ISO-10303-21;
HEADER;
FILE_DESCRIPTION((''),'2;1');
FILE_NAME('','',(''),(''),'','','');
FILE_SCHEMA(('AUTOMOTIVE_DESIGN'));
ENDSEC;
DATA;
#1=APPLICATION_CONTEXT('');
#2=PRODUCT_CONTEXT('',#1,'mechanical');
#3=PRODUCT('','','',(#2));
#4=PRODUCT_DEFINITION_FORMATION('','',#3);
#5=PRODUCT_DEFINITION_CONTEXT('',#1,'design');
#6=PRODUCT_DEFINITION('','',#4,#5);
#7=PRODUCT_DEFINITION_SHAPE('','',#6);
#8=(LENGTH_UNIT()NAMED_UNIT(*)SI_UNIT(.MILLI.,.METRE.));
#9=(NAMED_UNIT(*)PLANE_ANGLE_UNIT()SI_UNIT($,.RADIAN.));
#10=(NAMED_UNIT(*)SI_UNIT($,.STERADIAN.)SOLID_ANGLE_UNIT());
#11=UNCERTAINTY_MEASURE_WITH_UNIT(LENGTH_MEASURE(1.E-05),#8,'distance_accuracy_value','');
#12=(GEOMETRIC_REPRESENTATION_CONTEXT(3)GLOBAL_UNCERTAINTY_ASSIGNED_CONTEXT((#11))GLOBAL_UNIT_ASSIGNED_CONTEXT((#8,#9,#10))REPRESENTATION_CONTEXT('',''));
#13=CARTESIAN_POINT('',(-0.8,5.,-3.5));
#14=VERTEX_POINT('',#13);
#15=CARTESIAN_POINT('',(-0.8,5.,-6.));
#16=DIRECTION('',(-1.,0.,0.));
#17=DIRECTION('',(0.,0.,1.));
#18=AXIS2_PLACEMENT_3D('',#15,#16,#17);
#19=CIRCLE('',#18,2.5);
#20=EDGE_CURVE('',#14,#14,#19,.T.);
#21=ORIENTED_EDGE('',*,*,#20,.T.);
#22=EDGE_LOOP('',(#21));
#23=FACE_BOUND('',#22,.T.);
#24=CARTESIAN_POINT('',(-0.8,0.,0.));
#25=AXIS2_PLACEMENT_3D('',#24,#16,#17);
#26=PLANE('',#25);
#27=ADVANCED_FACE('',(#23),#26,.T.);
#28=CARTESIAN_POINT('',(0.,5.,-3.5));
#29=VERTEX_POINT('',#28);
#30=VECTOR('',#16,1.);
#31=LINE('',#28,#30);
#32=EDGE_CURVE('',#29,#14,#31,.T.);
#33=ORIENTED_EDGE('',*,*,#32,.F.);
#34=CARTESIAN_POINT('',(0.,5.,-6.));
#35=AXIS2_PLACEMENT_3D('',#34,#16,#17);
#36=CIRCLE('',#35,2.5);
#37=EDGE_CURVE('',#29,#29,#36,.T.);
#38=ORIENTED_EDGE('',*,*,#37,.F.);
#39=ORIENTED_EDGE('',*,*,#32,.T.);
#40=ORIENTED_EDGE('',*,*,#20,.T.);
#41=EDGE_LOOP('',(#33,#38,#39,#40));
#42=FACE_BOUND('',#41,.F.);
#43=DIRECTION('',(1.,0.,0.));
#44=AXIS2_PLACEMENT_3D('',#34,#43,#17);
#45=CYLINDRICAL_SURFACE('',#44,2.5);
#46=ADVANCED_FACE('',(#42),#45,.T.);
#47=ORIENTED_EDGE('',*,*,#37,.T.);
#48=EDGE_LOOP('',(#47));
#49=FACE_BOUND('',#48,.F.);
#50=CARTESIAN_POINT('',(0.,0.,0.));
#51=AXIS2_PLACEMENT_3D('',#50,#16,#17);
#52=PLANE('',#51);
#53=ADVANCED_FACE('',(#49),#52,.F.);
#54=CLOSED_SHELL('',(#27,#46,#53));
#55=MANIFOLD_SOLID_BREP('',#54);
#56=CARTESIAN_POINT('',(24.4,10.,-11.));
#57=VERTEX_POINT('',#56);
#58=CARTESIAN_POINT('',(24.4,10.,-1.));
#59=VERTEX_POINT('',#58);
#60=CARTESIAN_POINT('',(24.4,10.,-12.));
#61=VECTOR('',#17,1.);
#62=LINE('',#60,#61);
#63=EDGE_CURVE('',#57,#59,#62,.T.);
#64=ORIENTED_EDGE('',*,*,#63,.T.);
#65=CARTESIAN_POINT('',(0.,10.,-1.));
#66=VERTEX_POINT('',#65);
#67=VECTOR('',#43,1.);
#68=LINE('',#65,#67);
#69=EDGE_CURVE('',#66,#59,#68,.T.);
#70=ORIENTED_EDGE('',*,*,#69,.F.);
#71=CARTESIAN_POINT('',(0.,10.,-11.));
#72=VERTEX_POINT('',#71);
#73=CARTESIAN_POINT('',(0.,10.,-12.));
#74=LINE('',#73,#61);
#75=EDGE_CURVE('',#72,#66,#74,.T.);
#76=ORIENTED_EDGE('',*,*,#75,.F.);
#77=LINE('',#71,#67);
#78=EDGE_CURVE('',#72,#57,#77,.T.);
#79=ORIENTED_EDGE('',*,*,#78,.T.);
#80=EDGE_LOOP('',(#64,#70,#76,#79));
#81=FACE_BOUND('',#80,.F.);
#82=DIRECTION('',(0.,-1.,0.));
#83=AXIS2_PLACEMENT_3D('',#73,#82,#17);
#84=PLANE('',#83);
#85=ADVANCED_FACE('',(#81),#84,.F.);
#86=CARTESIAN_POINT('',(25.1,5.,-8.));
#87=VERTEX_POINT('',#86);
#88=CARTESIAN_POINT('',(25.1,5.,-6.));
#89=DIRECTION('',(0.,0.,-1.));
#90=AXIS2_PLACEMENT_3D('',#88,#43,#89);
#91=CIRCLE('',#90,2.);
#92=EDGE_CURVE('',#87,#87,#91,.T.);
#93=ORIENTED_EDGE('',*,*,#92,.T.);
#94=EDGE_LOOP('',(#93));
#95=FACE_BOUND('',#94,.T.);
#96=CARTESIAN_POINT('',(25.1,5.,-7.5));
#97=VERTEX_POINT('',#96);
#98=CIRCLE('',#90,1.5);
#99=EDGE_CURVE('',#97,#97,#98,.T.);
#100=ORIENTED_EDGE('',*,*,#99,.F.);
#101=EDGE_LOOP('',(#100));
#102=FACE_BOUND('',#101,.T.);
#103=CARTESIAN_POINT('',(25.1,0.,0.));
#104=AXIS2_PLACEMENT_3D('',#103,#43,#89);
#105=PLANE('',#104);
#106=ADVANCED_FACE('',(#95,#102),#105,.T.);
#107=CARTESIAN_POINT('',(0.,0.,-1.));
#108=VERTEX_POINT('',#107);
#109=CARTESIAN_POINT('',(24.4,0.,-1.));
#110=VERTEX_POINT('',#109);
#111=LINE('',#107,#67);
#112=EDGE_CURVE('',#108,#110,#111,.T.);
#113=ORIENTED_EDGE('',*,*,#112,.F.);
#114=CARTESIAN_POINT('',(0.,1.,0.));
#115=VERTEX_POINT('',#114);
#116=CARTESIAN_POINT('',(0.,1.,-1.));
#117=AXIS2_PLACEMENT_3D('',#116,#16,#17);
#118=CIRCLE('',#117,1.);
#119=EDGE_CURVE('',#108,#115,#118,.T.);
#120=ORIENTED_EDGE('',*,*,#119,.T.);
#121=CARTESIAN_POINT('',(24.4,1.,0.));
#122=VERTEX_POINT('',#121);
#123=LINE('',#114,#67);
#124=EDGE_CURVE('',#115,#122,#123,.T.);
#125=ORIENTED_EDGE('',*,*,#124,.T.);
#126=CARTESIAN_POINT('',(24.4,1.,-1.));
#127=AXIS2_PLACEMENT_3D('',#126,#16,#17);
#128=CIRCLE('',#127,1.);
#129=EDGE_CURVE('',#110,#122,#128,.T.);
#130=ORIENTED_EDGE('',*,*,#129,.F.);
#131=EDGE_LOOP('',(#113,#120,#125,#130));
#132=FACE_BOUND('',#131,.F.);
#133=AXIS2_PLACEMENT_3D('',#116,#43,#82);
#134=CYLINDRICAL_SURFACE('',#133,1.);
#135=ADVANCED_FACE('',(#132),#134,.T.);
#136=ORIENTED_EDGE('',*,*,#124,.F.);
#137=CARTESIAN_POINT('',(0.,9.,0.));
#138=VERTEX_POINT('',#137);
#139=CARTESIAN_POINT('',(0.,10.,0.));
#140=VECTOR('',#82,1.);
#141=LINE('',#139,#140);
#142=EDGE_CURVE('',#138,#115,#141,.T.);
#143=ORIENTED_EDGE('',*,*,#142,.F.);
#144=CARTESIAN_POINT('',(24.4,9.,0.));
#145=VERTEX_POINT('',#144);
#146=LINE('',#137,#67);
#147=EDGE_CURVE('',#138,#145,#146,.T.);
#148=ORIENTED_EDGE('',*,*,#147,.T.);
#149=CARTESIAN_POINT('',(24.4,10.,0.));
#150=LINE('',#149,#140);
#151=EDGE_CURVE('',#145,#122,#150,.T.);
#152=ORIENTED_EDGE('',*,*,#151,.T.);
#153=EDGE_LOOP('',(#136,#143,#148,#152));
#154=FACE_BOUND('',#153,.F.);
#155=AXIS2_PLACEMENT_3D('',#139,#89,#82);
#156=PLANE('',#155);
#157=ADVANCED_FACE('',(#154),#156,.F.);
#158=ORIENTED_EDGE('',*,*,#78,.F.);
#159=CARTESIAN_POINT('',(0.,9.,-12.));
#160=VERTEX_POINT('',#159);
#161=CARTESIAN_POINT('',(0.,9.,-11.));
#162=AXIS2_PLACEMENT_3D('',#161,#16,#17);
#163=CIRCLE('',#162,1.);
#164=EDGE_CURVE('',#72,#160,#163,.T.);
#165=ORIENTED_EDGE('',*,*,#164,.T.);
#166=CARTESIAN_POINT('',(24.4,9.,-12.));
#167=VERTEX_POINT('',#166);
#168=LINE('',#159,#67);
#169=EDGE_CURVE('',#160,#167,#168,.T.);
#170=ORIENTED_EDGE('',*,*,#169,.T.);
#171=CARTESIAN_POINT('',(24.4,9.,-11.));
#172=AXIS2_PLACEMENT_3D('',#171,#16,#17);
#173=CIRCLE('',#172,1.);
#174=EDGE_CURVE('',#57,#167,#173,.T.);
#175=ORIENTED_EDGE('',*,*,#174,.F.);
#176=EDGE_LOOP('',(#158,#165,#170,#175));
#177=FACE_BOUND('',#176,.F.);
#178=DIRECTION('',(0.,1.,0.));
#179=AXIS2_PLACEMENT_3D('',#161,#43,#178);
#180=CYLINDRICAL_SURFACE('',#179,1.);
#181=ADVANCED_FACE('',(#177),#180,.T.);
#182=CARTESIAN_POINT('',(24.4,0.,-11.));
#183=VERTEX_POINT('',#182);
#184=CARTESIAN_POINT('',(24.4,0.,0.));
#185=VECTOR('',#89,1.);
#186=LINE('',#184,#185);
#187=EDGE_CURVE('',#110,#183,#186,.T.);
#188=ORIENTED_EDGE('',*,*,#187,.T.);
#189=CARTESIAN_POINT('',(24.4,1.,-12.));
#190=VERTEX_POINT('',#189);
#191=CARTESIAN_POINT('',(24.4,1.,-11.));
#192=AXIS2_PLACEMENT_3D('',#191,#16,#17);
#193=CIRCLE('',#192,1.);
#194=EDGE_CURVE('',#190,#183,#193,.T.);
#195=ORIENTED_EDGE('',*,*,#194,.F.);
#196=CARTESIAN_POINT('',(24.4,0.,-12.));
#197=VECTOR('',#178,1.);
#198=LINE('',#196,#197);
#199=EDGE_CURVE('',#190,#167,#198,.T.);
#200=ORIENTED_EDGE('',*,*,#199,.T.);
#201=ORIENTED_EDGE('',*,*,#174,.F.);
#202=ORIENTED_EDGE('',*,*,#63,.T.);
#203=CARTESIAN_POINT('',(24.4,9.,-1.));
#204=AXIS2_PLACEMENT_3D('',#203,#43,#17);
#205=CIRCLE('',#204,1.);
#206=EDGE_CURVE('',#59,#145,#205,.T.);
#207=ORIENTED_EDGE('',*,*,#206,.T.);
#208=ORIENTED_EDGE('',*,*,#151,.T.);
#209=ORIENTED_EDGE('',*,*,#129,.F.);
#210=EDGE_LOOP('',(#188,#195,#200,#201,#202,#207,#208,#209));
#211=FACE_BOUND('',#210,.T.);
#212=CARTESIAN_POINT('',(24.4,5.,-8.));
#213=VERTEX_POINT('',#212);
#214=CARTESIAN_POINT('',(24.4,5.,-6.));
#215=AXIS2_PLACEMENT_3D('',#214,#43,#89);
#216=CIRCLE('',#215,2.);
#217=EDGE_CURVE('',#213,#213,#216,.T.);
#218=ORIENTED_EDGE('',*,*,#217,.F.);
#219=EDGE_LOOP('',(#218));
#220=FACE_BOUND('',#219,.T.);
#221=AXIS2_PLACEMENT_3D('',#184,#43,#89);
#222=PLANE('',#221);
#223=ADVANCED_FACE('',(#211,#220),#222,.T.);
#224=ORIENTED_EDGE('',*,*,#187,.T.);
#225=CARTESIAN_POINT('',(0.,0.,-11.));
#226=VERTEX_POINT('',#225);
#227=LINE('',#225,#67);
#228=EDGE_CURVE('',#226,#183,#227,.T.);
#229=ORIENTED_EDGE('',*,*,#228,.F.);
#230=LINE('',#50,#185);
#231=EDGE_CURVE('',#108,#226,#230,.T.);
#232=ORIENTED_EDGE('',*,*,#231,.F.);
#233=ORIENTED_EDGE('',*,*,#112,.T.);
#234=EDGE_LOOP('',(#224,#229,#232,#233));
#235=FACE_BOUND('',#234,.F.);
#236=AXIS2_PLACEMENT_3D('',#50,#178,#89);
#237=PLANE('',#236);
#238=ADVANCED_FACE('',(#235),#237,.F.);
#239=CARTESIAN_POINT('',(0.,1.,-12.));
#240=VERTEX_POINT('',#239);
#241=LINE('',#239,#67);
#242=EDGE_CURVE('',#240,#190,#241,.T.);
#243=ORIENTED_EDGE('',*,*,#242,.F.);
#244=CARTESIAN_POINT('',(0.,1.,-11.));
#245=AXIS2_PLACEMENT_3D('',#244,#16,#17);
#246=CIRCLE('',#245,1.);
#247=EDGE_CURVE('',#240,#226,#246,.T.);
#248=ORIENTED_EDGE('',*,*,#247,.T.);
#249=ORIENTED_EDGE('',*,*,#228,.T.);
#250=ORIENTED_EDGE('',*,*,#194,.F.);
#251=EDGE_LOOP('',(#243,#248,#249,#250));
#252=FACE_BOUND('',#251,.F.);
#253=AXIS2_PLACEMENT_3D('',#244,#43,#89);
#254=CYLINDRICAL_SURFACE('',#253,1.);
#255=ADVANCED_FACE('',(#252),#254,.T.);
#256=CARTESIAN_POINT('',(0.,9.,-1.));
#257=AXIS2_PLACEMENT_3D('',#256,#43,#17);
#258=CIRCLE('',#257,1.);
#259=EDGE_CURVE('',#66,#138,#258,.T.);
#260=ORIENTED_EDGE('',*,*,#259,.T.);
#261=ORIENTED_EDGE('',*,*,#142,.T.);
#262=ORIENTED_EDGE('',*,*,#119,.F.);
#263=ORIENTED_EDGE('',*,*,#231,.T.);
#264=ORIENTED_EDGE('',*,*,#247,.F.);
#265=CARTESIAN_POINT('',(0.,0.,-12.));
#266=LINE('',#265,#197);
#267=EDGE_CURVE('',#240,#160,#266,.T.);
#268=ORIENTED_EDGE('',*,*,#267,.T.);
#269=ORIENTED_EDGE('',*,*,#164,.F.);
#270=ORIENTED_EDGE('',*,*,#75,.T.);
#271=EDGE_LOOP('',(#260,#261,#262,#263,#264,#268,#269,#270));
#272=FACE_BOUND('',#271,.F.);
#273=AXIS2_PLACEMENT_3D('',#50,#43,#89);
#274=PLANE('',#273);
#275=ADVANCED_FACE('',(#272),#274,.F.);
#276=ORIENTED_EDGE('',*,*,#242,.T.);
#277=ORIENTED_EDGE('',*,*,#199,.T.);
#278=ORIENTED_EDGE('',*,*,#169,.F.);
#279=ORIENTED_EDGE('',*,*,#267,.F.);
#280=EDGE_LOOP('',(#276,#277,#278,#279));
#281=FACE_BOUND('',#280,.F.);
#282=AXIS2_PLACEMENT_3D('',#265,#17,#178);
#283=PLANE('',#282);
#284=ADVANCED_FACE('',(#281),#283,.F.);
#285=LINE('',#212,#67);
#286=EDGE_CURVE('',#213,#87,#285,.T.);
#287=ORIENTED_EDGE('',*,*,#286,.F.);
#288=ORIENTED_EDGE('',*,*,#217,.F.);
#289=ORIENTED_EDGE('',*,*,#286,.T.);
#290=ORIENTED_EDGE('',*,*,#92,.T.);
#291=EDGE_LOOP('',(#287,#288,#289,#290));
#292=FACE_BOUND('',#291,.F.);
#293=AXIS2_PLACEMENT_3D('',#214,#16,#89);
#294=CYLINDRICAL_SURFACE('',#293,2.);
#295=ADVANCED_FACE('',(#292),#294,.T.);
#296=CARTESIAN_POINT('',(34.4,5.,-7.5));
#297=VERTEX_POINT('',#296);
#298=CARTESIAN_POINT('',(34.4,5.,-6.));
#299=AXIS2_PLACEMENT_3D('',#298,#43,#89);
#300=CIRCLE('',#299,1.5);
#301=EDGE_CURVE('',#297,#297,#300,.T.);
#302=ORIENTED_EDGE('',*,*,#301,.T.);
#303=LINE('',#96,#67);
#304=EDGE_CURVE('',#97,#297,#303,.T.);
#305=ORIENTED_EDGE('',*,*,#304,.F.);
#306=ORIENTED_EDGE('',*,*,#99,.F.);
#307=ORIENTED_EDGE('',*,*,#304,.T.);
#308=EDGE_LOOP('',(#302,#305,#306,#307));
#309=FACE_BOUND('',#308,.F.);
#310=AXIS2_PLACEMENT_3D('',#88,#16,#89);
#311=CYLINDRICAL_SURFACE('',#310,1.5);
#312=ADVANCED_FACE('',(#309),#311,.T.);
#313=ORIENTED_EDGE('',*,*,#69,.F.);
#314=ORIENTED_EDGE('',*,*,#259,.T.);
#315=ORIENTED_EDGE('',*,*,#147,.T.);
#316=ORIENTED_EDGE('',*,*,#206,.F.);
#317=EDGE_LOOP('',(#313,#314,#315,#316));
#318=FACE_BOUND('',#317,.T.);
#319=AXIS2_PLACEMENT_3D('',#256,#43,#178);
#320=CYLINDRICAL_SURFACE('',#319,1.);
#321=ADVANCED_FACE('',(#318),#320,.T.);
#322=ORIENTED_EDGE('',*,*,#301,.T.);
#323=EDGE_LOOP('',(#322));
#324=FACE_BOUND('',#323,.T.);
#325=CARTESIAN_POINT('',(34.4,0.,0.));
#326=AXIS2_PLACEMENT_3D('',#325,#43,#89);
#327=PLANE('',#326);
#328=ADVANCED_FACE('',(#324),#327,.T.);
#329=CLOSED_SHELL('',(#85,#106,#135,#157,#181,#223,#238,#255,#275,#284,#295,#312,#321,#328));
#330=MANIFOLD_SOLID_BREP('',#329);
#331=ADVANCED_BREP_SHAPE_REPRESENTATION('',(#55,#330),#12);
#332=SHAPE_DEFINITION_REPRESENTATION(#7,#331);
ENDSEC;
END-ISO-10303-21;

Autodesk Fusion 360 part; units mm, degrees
sketch "スケッチ1" plane through (0, 0, 0) normal (1, 0, 0) x (0, 0, -1)
  line L0 (0, 0) -> (12, 0)
  line L1 (12, 0) -> (12, 10)
  line L2 (12, 10) -> (0, 10)
  line L3 (0, 10) -> (0, 0)
  dimension "d1" = 10
  dimension "d2" = 12
extrude "押し出し1" add sketch "スケッチ1" along normal blind 24.4 makes body 1
fillet "フィレット1" radius 1 1 edges at (12.2, 10, -12) on bodies 1
fillet "フィレット2" radius 1 1 edges at (12.2, 10, 0) on bodies 1
fillet "フィレット3" radius 1 1 edges at (12.2, 0, -12) on bodies 1
fillet "フィレット4" radius 1 1 edges at (12.2, 0, 0) on bodies 1
sketch "スケッチ2" plane through (24.4, 0, 0) normal (1, 0, 0) x (0, 0, -1)
  arc A0 (0, 1) -> (1, 0) centre (1, 1) ccw
  line L0 (1, 0) -> (11, 0)
  arc A1 (11, 0) -> (12, 1) centre (11, 1) ccw
  line L1 (12, 1) -> (12, 9)
  arc A2 (12, 9) -> (11, 10) centre (11, 9) ccw
  line L2 (11, 10) -> (1, 10)
  arc A3 (1, 10) -> (0, 9) centre (1, 9) ccw
  line L3 (0, 9) -> (0, 1)
  circle A4 centre (6, 5) radius 2
  dimension "d18" = 2
extrude "押し出し2" add sketch "スケッチ2" along normal blind 0.7 contours A4 bodies 1
sketch "スケッチ3" plane through (25.1, 0, 0) normal (1, 0, 0) x (0, 0, -1)
  circle A0 centre (6, 5) radius 2
  circle A1 centre (6, 5) radius 1.5
  dimension "d12" = 3
extrude "押し出し3" add sketch "スケッチ3" along normal blind 9.3 contours A1 bodies 1
sketch "スケッチ4" plane through (0, 0, 0) normal (-1, 0, 0) x (0, 0, 1)
  arc A0 (-1, 0) -> (0, 1) centre (-1, 1) ccw
  line L0 (0, 1) -> (0, 9)
  arc A1 (0, 9) -> (-1, 10) centre (-1, 9) ccw
  line L1 (-1, 10) -> (-11, 10)
  arc A2 (-11, 10) -> (-12, 9) centre (-11, 9) ccw
  line L2 (-12, 9) -> (-12, 1)
  arc A3 (-12, 1) -> (-11, 0) centre (-11, 1) ccw
  line L3 (-11, 0) -> (-1, 0)
  circle A4 centre (-6, 5) radius 2.5
  dimension "d15" = 5
extrude "押し出し1'" add sketch "スケッチ4" along normal blind 0.8 separate body contours A4 makes body 2 in component "Component"
component "Component" placed x (1, 0, 0) y (0, 1, 0) z (0, 0, 1) at (0, 0, 0)
